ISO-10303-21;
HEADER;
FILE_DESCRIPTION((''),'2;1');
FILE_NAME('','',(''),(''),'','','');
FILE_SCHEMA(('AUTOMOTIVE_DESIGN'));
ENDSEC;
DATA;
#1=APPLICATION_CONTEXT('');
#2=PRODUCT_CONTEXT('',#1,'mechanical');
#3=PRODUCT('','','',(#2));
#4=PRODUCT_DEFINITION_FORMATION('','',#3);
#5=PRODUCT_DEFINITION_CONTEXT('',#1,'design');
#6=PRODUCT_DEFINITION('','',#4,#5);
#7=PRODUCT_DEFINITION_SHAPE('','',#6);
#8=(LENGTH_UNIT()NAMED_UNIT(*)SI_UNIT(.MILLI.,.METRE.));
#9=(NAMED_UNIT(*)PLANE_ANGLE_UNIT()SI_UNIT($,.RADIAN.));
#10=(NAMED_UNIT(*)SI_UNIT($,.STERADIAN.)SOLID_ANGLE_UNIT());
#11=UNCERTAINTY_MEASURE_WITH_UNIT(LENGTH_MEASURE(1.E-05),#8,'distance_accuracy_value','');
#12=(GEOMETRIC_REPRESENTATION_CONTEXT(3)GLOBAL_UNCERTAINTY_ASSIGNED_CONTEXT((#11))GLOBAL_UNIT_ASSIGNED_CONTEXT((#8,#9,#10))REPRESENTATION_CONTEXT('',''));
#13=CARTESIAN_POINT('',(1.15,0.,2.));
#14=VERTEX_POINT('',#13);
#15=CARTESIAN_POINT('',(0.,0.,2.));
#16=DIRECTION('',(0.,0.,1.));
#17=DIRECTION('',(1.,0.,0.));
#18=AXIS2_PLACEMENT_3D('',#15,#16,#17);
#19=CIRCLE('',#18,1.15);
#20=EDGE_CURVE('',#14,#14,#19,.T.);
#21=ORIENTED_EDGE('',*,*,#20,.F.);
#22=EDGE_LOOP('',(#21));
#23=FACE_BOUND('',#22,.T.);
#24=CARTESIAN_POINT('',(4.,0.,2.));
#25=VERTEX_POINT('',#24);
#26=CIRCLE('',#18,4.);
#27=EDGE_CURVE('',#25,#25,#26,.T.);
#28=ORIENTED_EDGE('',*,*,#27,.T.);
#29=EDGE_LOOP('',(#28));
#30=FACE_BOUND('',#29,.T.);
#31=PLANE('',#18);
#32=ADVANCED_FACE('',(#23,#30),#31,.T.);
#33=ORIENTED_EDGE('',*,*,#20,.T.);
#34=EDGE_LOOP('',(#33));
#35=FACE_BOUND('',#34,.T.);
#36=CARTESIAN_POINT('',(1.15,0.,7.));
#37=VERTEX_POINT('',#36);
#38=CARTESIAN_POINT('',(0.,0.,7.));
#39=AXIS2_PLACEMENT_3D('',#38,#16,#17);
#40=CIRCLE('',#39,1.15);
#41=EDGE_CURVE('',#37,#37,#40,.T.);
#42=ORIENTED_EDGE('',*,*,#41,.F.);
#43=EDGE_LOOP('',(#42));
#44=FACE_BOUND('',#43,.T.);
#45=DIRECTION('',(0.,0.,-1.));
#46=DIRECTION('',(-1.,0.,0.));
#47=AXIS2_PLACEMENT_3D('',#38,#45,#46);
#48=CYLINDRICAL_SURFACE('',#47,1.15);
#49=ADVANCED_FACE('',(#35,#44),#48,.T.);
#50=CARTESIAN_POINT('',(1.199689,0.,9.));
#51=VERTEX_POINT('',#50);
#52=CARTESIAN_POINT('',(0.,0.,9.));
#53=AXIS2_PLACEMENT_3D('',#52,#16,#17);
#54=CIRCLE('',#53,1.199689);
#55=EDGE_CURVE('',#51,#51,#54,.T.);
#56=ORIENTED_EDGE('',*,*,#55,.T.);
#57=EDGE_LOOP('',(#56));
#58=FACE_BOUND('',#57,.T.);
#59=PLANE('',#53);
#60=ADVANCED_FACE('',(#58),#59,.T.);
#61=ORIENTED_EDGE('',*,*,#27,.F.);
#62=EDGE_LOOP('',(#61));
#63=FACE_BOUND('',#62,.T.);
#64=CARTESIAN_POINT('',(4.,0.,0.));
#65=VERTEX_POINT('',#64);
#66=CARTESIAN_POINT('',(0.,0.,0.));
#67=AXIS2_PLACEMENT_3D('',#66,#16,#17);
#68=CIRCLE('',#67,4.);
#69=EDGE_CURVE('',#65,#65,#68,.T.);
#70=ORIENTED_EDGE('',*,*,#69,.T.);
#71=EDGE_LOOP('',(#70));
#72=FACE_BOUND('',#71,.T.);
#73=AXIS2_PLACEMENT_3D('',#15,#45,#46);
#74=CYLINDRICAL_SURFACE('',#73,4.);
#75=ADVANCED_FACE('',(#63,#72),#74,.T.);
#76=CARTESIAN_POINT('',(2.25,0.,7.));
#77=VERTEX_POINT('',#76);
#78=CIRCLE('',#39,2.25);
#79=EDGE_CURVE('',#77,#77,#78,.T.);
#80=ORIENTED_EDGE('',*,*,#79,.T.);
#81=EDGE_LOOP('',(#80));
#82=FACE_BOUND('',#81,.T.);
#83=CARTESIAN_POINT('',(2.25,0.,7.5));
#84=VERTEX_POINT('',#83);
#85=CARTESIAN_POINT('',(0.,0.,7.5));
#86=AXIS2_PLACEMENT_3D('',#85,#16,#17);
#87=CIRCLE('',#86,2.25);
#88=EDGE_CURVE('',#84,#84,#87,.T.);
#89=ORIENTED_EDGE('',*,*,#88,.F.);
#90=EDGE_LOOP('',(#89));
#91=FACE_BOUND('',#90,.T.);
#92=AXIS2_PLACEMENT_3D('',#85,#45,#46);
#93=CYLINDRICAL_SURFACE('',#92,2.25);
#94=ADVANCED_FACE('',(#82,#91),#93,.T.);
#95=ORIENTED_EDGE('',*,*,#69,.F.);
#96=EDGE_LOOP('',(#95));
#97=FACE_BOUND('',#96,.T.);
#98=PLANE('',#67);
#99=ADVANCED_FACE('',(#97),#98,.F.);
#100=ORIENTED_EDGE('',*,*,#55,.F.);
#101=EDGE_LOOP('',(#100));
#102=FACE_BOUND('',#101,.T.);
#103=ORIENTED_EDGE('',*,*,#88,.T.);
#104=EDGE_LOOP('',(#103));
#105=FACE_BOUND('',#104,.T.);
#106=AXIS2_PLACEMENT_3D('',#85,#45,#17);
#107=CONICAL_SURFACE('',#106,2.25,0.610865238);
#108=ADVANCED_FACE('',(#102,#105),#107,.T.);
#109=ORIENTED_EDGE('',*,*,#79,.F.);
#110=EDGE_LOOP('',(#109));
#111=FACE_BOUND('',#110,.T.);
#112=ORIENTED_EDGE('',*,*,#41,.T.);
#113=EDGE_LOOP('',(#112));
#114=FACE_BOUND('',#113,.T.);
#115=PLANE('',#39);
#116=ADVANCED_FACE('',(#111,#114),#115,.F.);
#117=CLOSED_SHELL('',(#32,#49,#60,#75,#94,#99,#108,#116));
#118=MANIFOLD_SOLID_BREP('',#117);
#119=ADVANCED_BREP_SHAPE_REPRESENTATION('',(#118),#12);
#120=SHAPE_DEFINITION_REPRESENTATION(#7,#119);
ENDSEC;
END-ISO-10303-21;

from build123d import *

# Parameters (mm, degrees)
SKETCH_1_R      = 4
EXTRUDE_1_DEPTH = 2
SKETCH_2_R      = 1.15
EXTRUDE_2_DEPTH = 5
SKETCH_3_R      = 2.25
EXTRUDE_3_DEPTH = 0.5
SKETCH_4_R      = 2.25
EXTRUDE_4_DEPTH = 1.5
EXTRUDE_4_TAPER = 35


with BuildPart() as part:
    # 스케치1 → 보스-돌출1 (new body)
    with BuildSketch(Plane.XY):
        Circle(SKETCH_1_R)
    extrude(amount=EXTRUDE_1_DEPTH)

    # 스케치2 → 보스-돌출2 (add)
    with BuildSketch(Plane.XY.offset(2)):
        Circle(SKETCH_2_R)
    extrude(amount=EXTRUDE_2_DEPTH)

    # 스케치3 → 보스-돌출3 (add)
    with BuildSketch(Plane.XY.offset(7)):
        Circle(SKETCH_3_R)
    extrude(amount=EXTRUDE_3_DEPTH)

    # 스케치4 → 보스-돌출4 (add)
    with BuildSketch(Plane.XY.offset(7.5)):
        Circle(SKETCH_4_R)
    extrude(amount=EXTRUDE_4_DEPTH, taper=EXTRUDE_4_TAPER)


solid = part.part
